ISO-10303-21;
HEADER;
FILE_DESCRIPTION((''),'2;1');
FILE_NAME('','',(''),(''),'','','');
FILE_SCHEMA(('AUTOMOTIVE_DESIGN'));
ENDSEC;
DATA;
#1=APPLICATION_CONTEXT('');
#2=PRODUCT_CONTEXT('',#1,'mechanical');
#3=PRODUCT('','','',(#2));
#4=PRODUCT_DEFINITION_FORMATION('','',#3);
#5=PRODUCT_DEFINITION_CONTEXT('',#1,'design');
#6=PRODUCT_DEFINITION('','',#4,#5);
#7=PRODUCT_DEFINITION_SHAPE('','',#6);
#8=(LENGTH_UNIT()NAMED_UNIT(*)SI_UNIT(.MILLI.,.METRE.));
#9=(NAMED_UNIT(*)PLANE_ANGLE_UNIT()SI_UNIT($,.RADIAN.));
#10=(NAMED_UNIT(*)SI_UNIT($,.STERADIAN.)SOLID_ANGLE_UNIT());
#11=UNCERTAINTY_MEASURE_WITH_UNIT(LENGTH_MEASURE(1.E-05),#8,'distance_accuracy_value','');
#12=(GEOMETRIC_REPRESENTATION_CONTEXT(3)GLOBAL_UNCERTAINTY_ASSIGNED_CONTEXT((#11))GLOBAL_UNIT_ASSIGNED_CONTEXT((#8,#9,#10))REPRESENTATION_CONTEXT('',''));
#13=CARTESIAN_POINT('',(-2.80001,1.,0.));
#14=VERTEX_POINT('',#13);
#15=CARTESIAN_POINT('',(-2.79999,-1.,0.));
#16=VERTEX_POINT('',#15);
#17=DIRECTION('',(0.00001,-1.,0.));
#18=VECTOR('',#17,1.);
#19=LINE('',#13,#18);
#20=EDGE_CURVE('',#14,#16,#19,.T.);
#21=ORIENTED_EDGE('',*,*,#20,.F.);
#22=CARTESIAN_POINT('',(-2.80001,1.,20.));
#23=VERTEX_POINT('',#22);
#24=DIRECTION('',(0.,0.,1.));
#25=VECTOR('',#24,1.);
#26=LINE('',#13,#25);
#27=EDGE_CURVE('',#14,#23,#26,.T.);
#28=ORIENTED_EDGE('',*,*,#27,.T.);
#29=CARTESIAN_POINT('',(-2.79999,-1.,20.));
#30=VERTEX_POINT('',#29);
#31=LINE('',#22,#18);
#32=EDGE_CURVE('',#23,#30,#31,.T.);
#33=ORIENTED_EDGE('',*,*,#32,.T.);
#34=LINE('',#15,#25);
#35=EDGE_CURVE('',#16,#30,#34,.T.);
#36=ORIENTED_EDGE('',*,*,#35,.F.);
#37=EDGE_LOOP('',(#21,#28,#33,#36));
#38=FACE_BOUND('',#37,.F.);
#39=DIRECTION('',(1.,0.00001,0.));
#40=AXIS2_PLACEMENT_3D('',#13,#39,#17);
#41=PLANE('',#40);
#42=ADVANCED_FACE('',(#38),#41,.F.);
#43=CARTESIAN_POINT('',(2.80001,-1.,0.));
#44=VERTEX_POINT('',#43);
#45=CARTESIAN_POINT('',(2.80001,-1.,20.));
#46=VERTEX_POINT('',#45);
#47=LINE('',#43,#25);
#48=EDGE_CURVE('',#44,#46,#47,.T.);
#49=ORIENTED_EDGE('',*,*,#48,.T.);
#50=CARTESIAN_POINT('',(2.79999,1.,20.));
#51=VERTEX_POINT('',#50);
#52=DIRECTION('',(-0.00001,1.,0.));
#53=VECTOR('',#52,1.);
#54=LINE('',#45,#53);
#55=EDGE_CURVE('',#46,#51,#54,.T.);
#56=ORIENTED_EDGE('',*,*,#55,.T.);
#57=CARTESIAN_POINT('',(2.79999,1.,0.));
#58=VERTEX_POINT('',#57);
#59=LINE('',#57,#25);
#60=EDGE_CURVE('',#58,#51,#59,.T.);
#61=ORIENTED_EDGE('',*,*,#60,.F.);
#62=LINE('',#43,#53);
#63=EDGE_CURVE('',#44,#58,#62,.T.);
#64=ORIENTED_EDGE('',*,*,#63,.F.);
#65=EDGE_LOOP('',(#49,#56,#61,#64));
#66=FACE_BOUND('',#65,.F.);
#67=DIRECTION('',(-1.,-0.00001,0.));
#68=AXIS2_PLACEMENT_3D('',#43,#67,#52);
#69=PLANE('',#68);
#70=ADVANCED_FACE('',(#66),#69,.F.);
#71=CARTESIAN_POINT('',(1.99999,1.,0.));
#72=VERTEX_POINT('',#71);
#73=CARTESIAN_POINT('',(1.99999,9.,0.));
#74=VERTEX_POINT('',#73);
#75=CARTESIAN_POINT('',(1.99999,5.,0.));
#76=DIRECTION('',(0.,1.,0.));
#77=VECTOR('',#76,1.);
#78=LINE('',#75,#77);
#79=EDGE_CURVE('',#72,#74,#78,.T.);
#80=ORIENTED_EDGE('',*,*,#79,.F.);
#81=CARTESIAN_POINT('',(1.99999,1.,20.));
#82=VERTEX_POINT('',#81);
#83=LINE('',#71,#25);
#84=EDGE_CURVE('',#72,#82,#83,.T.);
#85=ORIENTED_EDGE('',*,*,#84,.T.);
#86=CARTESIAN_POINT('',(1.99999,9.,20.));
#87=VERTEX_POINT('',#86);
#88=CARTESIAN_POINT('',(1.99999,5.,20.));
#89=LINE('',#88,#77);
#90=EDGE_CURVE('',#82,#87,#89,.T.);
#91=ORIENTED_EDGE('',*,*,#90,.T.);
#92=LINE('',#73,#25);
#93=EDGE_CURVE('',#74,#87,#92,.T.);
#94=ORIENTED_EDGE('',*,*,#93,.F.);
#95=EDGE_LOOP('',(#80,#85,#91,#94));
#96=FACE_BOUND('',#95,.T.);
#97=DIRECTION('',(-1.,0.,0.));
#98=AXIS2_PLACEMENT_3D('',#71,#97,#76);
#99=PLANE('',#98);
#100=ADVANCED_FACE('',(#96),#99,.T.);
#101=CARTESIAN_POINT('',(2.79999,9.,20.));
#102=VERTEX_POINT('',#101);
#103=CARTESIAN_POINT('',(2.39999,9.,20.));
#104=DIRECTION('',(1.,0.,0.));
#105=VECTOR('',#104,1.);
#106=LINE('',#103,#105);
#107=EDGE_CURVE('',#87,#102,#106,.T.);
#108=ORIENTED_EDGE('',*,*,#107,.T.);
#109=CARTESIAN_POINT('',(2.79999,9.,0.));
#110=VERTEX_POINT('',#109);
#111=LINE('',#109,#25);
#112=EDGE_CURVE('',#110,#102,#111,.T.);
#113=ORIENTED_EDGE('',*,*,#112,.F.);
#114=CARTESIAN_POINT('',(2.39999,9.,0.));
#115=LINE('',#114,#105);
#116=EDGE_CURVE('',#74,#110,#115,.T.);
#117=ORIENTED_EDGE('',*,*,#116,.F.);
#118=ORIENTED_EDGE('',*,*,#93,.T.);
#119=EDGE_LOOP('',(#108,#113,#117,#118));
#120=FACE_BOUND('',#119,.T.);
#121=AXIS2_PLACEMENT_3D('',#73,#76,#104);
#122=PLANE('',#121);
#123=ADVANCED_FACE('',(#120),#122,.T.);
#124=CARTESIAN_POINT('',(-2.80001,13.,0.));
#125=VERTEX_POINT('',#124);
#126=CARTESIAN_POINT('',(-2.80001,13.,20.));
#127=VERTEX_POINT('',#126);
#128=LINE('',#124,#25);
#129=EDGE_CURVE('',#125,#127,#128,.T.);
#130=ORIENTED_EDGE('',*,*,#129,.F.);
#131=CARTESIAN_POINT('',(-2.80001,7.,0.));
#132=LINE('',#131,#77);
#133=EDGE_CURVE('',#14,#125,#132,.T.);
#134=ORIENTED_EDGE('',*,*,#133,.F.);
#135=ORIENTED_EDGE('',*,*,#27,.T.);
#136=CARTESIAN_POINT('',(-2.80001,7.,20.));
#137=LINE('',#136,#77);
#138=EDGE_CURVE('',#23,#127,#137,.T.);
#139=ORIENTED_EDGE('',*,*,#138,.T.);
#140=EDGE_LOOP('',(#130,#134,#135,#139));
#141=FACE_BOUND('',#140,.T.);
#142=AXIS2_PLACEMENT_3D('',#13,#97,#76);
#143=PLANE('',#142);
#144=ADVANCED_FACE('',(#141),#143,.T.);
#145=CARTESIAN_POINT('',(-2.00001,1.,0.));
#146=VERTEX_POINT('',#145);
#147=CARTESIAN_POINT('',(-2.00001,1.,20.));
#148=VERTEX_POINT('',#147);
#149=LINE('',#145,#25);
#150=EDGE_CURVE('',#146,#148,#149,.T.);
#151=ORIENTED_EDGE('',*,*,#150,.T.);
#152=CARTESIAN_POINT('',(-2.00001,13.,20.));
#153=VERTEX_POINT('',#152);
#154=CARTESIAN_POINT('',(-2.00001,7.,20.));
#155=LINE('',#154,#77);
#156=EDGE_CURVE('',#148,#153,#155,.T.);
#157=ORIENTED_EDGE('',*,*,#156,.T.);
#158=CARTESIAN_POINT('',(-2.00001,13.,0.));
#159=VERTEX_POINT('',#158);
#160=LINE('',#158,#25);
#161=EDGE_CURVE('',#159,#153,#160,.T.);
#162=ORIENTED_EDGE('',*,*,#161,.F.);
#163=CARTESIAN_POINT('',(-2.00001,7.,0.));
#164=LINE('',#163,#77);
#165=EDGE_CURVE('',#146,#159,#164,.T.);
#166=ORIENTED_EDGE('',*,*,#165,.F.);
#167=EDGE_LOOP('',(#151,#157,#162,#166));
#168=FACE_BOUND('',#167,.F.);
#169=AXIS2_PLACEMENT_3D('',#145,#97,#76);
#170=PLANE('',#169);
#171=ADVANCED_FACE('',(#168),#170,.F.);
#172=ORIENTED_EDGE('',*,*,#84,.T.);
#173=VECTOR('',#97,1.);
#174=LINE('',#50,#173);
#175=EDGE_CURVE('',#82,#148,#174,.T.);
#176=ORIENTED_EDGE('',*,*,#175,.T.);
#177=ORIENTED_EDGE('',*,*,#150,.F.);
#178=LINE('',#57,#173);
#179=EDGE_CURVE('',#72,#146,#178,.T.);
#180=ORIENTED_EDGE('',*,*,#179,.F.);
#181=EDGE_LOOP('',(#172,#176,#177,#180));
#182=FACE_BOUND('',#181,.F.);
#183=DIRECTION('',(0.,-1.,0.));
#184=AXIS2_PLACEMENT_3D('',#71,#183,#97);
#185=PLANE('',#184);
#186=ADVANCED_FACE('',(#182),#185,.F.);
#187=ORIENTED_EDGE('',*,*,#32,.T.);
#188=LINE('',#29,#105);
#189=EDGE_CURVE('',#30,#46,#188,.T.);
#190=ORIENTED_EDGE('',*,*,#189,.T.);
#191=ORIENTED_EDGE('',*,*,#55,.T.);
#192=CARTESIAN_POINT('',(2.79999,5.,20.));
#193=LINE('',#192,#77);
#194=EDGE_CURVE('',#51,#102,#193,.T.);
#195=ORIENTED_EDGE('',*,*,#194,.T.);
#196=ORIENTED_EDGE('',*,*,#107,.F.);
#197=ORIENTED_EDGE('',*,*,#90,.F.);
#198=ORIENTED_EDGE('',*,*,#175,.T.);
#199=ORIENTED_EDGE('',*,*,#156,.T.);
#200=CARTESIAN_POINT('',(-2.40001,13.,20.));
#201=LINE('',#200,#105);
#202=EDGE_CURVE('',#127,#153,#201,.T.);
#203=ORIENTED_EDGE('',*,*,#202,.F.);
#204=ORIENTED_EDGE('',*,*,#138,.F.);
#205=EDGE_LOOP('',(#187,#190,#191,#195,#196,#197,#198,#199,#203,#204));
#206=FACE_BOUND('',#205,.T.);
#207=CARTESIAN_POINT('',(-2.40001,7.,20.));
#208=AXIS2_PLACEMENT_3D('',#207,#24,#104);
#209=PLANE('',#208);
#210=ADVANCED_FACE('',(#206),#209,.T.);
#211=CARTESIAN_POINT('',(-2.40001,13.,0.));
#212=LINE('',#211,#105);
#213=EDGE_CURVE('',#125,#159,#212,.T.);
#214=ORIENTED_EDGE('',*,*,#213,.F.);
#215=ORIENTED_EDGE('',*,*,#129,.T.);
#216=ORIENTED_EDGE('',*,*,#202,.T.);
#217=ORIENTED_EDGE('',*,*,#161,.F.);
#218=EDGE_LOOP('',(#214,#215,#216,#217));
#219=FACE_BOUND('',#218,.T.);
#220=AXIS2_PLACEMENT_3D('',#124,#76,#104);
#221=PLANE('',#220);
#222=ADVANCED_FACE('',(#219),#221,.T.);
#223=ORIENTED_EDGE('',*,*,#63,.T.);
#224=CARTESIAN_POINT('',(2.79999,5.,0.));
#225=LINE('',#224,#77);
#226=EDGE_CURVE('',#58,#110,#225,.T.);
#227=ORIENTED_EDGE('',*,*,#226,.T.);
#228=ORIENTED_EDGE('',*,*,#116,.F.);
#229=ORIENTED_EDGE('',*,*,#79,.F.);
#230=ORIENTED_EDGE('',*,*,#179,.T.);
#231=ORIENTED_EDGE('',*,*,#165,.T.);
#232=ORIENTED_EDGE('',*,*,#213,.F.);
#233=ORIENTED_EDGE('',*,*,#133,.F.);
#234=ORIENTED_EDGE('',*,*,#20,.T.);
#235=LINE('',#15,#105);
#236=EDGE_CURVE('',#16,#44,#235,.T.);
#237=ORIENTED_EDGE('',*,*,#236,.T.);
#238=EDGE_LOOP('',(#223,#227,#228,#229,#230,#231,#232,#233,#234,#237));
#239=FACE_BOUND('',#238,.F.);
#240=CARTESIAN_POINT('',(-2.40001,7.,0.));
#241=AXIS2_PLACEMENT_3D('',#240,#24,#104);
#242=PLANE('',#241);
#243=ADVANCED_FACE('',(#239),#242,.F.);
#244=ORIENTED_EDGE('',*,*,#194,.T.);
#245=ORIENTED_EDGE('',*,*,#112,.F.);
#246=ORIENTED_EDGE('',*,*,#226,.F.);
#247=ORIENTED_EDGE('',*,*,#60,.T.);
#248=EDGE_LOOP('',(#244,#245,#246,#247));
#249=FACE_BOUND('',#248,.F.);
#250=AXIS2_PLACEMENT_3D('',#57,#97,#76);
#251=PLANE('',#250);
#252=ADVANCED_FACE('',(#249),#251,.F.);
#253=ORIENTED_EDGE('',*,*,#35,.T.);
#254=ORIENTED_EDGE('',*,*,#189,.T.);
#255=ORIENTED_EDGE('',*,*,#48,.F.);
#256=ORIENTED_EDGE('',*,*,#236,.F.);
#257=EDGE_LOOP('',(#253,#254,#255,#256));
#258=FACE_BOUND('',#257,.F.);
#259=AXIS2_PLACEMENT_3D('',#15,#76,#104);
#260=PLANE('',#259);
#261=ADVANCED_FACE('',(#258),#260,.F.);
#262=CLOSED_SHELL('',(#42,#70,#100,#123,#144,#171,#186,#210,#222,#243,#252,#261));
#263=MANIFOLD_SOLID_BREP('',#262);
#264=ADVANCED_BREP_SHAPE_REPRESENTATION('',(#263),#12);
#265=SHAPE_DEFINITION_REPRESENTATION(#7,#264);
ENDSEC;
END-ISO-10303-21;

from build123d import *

# Parameters (mm, degrees)
F0_W     = 0.8
F0_H     = 12
F0_H_2   = 8
F1_DEPTH = 20


with BuildPart() as f1:
    # F0 (on Top) → F1 (new body)
    with BuildSketch(Plane.XY):
        with Locations((-2.40001, 7)):
            Rectangle(F0_W, F0_H)
        Polygon((-2.79999, -1), (2.80001, -1), (2.79999, 1), (1.99999, 1), (-2.00001, 1), (-2.80001, 1), align=None)
        with Locations((2.39999, 5)):
            Rectangle(F0_W, F0_H_2)
    extrude(amount=F1_DEPTH)


solid = f1.part
